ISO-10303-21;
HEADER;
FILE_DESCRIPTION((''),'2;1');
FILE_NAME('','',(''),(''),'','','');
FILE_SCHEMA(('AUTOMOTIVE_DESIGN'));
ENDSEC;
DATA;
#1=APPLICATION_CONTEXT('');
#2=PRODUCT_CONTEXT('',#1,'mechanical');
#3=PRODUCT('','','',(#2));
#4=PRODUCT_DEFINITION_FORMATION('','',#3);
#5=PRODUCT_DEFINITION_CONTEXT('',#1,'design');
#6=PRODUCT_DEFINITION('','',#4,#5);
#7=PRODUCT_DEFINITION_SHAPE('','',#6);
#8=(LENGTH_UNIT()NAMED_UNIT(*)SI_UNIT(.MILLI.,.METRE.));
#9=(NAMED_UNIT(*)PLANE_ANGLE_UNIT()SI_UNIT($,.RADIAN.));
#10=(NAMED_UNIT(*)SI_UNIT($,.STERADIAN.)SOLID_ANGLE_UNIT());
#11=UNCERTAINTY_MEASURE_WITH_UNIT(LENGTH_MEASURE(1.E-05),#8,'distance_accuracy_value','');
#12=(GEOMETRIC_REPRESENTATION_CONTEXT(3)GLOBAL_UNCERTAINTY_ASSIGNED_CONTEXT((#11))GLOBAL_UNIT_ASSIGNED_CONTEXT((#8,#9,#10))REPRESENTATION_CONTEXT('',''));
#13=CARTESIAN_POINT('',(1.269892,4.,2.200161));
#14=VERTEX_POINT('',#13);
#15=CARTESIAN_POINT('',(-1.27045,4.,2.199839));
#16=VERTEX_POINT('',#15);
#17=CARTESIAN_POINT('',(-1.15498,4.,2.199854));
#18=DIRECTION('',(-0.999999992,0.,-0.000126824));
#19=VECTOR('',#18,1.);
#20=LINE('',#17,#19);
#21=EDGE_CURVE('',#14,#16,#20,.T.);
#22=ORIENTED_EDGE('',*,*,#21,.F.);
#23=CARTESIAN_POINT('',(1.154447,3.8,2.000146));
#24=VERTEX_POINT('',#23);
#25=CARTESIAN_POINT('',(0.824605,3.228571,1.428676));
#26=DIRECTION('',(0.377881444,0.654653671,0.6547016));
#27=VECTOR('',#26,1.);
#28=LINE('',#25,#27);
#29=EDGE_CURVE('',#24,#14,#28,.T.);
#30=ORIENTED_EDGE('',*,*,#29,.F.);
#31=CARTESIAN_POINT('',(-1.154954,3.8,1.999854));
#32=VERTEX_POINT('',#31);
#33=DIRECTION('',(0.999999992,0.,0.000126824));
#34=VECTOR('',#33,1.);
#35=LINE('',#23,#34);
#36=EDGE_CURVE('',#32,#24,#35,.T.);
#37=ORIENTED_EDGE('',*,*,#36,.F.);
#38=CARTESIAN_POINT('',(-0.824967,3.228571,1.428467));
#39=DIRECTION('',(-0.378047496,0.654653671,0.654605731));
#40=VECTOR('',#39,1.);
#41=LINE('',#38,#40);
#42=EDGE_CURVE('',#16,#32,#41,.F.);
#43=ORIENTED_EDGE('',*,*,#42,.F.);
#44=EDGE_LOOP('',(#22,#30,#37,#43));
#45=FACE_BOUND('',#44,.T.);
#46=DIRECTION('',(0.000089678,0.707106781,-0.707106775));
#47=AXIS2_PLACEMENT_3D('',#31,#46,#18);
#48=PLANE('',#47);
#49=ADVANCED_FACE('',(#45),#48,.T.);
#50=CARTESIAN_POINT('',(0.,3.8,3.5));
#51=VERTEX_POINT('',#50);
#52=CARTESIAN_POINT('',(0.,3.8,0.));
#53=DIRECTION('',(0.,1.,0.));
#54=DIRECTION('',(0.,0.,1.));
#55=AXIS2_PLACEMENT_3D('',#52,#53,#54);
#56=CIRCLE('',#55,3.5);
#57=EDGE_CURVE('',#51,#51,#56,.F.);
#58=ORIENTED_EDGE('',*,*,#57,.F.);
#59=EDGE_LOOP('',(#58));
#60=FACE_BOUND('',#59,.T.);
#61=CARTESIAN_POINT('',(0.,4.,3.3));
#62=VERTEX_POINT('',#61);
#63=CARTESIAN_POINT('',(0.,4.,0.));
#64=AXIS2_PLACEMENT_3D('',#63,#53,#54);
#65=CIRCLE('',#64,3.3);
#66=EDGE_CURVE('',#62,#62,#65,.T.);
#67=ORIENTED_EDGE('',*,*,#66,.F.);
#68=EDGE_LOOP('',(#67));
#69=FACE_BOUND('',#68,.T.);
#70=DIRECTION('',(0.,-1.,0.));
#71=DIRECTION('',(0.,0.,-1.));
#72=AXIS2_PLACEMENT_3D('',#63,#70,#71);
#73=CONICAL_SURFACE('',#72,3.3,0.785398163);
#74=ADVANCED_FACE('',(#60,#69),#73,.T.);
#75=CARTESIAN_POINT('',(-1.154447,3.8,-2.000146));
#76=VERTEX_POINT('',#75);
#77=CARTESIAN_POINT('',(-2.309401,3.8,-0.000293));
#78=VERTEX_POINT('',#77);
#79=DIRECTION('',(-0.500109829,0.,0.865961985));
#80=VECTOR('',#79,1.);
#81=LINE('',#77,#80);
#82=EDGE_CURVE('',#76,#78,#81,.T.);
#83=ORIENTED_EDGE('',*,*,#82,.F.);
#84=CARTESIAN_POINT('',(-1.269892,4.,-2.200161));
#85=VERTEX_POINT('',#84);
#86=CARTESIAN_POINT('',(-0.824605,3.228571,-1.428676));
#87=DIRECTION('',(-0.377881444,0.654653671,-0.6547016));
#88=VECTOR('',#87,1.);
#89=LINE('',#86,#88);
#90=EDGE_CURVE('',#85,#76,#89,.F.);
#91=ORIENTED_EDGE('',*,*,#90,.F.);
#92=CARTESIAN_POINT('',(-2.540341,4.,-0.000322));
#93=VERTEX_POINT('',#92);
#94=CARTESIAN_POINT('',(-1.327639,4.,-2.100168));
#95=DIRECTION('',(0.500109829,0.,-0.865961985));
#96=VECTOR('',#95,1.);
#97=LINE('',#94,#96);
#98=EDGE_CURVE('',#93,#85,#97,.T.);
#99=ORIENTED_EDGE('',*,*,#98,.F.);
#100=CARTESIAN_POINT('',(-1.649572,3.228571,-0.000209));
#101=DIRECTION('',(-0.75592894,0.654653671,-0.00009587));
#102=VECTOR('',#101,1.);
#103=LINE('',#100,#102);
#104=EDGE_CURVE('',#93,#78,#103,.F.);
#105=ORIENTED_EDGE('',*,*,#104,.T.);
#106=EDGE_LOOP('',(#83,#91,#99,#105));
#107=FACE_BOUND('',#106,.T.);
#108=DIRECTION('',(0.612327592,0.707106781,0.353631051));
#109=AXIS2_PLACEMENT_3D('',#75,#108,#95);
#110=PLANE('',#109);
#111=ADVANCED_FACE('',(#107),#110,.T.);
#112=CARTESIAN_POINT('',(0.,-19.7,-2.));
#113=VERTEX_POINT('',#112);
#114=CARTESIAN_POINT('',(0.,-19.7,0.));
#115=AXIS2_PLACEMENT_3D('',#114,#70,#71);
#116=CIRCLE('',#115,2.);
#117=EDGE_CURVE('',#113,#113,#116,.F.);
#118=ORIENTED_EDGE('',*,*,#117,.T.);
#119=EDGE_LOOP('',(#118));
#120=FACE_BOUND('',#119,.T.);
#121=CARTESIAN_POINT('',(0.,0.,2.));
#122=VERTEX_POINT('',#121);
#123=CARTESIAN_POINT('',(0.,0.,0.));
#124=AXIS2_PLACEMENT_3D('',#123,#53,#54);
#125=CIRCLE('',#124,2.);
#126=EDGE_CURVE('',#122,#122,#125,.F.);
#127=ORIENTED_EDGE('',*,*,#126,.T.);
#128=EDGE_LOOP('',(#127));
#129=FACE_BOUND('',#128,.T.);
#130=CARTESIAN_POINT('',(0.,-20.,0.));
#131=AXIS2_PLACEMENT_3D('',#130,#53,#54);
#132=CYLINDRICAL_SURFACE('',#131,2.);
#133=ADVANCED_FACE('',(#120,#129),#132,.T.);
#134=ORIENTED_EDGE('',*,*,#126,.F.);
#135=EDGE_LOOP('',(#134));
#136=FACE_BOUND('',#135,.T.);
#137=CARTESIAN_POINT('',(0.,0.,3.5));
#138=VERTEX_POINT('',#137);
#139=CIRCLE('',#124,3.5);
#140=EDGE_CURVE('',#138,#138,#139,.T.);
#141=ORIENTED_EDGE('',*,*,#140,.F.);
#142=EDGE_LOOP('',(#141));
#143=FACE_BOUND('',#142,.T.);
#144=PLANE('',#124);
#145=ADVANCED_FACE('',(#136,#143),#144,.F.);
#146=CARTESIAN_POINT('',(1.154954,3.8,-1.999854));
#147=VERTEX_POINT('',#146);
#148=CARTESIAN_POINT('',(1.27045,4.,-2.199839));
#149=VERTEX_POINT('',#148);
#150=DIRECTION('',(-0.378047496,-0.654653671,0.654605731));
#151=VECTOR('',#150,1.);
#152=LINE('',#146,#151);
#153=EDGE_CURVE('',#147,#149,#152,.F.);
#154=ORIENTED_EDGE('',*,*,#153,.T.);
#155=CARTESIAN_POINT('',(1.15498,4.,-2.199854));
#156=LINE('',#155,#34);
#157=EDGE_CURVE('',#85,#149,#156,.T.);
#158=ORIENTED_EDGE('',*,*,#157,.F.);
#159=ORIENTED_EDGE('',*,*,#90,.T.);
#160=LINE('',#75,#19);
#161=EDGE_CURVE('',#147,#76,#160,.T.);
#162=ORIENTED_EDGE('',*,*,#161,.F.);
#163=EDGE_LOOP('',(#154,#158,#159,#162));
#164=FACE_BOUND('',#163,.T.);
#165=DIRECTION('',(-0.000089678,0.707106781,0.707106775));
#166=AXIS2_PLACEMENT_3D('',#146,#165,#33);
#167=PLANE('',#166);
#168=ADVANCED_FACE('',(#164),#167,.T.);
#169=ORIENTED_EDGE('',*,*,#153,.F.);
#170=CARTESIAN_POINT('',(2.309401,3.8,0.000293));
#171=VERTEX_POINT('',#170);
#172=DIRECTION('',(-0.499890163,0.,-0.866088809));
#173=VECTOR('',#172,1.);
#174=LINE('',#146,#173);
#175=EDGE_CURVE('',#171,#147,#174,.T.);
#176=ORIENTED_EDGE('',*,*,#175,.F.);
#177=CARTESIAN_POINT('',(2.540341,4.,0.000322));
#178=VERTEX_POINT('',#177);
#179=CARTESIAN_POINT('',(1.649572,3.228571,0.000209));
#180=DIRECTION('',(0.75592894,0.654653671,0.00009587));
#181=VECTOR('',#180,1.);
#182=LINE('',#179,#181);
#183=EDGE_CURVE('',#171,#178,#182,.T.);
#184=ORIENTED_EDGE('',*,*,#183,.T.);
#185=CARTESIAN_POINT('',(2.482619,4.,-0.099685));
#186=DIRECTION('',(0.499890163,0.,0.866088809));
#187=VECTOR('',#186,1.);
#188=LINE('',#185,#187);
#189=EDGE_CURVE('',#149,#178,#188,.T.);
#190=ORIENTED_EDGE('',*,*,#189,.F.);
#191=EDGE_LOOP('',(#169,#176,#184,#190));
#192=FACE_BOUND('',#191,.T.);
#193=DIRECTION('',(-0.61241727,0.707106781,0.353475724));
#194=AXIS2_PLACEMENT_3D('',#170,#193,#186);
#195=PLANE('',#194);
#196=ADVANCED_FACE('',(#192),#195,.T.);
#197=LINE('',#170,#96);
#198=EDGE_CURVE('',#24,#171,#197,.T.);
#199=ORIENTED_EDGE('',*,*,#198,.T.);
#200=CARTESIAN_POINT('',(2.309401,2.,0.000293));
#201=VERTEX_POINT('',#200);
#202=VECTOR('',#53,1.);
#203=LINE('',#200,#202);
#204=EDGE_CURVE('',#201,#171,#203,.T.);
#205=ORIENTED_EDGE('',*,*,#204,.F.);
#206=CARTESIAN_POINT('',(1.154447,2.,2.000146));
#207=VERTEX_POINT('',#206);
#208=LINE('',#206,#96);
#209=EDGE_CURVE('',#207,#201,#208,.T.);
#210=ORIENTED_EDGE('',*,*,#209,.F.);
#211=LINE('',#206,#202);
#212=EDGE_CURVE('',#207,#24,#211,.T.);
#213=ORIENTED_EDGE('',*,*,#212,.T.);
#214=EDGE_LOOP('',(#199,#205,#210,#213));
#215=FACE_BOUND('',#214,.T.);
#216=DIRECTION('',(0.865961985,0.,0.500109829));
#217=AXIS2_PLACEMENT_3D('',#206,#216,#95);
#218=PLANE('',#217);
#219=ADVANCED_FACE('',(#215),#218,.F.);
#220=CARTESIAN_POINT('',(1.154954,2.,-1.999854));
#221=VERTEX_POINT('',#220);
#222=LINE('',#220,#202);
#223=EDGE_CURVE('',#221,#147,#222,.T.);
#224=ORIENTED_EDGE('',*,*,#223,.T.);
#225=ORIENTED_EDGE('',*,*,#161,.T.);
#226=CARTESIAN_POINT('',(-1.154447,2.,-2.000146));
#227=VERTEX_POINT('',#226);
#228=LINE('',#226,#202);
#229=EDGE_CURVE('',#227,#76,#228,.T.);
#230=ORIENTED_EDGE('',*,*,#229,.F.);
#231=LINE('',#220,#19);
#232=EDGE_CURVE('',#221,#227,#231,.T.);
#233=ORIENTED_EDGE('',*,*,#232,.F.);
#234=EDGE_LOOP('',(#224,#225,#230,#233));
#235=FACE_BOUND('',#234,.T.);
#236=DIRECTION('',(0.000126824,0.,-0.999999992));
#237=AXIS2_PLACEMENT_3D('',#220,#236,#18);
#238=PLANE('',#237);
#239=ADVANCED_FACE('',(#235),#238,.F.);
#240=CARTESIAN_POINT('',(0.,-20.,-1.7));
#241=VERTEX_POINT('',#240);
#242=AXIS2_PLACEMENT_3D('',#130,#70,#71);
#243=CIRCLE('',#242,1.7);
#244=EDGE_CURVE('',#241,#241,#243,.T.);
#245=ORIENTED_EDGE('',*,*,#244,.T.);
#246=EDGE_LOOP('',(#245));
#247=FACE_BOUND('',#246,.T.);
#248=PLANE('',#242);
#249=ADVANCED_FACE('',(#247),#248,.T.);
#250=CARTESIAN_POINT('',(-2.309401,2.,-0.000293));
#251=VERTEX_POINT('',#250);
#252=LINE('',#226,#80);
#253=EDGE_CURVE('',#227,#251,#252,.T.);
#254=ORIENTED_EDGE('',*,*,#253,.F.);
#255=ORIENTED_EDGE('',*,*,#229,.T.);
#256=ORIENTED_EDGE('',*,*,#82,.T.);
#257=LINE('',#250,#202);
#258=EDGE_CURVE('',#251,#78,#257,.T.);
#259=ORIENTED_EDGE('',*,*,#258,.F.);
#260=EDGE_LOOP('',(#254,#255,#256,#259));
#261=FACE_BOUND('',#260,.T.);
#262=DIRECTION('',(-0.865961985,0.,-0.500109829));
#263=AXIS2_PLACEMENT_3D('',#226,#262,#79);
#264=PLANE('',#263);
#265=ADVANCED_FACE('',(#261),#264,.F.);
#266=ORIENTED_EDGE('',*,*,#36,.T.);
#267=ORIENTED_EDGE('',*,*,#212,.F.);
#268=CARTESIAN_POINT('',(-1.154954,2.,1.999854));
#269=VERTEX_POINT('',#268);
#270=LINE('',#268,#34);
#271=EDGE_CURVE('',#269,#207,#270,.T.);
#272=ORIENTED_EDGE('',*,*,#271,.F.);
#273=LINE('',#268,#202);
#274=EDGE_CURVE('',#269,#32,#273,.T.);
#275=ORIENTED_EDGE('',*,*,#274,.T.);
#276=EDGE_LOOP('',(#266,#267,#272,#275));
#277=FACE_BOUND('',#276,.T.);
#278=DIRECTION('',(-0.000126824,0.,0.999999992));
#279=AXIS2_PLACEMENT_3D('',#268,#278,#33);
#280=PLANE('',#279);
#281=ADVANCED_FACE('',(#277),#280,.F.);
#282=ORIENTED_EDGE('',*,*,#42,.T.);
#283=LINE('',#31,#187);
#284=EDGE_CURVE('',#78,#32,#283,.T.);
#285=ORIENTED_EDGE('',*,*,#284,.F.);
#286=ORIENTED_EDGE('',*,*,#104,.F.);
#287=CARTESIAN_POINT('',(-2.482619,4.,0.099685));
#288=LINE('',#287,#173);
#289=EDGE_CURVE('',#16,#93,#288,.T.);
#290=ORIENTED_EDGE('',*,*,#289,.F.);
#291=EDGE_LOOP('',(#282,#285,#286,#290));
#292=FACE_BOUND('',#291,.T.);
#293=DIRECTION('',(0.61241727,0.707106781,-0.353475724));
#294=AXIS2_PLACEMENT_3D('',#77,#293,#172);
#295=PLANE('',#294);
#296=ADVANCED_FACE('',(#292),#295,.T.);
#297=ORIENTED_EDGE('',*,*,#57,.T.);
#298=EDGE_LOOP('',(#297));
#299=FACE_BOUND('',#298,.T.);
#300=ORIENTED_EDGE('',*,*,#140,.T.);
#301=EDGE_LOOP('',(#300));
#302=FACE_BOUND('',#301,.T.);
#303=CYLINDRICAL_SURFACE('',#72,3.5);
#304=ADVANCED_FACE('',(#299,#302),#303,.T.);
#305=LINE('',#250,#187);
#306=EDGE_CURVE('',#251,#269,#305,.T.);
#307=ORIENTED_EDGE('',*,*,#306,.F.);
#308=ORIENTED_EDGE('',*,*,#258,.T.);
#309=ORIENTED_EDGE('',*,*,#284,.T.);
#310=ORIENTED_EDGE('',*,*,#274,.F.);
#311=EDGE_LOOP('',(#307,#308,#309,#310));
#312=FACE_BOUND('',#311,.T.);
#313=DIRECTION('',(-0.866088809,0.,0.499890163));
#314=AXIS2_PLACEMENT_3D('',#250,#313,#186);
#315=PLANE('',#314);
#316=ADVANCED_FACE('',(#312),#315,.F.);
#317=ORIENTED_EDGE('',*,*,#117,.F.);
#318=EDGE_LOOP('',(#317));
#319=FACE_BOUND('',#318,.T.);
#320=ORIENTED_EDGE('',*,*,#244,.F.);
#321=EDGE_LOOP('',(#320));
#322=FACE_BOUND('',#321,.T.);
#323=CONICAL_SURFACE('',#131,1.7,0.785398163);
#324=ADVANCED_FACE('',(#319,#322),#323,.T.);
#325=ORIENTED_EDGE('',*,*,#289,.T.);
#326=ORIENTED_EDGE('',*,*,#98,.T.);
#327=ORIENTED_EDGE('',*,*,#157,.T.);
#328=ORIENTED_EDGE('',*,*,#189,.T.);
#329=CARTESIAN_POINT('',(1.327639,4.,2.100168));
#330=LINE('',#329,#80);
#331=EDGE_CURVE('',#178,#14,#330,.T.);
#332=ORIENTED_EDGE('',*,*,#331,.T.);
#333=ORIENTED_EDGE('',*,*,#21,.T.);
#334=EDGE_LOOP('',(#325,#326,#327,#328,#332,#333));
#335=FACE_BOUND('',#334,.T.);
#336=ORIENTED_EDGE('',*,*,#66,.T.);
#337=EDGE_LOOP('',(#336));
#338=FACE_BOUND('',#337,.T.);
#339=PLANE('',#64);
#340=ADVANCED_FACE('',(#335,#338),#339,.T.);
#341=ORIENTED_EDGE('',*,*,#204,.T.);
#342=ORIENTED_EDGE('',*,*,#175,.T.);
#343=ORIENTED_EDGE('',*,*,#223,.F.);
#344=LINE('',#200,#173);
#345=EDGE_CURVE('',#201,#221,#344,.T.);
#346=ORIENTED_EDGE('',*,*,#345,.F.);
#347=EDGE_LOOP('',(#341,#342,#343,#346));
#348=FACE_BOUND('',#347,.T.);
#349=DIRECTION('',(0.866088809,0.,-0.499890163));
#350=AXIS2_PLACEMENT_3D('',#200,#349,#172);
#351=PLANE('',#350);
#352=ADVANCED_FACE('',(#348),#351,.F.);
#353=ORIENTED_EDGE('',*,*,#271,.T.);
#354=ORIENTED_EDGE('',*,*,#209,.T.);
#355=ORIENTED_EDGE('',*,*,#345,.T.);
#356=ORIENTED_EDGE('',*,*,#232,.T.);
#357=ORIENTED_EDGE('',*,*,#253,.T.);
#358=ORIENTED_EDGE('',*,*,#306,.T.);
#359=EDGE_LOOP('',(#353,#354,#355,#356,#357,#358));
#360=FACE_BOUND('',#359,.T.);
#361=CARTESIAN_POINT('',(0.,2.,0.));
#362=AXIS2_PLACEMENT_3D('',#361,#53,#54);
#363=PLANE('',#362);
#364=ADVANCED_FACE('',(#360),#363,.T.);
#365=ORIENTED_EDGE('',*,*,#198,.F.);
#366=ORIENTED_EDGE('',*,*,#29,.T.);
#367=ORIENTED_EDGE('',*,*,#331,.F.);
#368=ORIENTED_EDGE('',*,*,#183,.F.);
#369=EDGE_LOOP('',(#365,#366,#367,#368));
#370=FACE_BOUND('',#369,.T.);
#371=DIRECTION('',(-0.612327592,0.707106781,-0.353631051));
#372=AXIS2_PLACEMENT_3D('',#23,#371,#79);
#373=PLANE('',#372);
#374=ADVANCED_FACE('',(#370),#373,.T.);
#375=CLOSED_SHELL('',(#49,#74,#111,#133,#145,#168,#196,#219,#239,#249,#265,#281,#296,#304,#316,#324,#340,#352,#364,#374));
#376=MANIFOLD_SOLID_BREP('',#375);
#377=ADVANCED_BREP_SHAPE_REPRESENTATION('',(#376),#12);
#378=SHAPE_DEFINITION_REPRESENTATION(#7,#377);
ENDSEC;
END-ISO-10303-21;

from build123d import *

# Parameters (mm, degrees)
SKETCH_1_R          = 3.5
EXTRUDE_1_DEPTH     = 4
SKETCH_2_R          = 2
EXTRUDE_2_DEPTH     = 20
CUT_EXTRUDE_1_DEPTH = 2
CHAMFER_1_SIZE      = 0.2
CHAMFER_2_SIZE      = 0.3


with BuildPart() as part:
    # 草图1 → 凸台-拉伸1 (new body)
    with BuildSketch(Plane(origin=(0, 0, 0), x_dir=(1, 0, 0), z_dir=(0, 1, 0))):
        Circle(SKETCH_1_R)
    extrude(amount=EXTRUDE_1_DEPTH)

    # 草图2 → 凸台-拉伸2 (add)
    with BuildSketch(Plane.XZ):
        Circle(SKETCH_2_R)
    extrude(amount=EXTRUDE_2_DEPTH)

    # 草图11 → 切除-拉伸1 (cut)
    with BuildSketch(Plane(origin=(0, 4, 0), x_dir=(1, 0, 0), z_dir=(0, 1, 0))):
        Polygon((1.154954177, 1.999853541), (-1.154446882, 2.000146427), (-2.309401058, 0.000292887), (-1.154954177, -1.999853541), (1.154446882, -2.000146427), (2.309401058, -0.000292887), align=None)
    extrude(amount=-CUT_EXTRUDE_1_DEPTH, mode=Mode.SUBTRACT)

    # 倒角1
    chamfer_1_edges = [part.edges().sort_by_distance(p)[0] for p in [
        (1.732177617, 4, -0.999780327),
        (0.000253647, 4, -1.999999984),
        (-1.73192397, 4, -1.000219657),
        (-1.732177617, 4, 0.999780327),
        (-0.000253647, 4, 1.999999984),
        (1.73192397, 4, 1.000219657),
        (-3.5, 4, 0),
    ]]
    chamfer(chamfer_1_edges, length=CHAMFER_1_SIZE)

    # 倒角2
    chamfer_2_edges = [part.edges().sort_by_distance(p)[0] for p in [
        (-2, -20, 0),
    ]]
    chamfer(chamfer_2_edges, length=CHAMFER_2_SIZE)


solid = part.part
